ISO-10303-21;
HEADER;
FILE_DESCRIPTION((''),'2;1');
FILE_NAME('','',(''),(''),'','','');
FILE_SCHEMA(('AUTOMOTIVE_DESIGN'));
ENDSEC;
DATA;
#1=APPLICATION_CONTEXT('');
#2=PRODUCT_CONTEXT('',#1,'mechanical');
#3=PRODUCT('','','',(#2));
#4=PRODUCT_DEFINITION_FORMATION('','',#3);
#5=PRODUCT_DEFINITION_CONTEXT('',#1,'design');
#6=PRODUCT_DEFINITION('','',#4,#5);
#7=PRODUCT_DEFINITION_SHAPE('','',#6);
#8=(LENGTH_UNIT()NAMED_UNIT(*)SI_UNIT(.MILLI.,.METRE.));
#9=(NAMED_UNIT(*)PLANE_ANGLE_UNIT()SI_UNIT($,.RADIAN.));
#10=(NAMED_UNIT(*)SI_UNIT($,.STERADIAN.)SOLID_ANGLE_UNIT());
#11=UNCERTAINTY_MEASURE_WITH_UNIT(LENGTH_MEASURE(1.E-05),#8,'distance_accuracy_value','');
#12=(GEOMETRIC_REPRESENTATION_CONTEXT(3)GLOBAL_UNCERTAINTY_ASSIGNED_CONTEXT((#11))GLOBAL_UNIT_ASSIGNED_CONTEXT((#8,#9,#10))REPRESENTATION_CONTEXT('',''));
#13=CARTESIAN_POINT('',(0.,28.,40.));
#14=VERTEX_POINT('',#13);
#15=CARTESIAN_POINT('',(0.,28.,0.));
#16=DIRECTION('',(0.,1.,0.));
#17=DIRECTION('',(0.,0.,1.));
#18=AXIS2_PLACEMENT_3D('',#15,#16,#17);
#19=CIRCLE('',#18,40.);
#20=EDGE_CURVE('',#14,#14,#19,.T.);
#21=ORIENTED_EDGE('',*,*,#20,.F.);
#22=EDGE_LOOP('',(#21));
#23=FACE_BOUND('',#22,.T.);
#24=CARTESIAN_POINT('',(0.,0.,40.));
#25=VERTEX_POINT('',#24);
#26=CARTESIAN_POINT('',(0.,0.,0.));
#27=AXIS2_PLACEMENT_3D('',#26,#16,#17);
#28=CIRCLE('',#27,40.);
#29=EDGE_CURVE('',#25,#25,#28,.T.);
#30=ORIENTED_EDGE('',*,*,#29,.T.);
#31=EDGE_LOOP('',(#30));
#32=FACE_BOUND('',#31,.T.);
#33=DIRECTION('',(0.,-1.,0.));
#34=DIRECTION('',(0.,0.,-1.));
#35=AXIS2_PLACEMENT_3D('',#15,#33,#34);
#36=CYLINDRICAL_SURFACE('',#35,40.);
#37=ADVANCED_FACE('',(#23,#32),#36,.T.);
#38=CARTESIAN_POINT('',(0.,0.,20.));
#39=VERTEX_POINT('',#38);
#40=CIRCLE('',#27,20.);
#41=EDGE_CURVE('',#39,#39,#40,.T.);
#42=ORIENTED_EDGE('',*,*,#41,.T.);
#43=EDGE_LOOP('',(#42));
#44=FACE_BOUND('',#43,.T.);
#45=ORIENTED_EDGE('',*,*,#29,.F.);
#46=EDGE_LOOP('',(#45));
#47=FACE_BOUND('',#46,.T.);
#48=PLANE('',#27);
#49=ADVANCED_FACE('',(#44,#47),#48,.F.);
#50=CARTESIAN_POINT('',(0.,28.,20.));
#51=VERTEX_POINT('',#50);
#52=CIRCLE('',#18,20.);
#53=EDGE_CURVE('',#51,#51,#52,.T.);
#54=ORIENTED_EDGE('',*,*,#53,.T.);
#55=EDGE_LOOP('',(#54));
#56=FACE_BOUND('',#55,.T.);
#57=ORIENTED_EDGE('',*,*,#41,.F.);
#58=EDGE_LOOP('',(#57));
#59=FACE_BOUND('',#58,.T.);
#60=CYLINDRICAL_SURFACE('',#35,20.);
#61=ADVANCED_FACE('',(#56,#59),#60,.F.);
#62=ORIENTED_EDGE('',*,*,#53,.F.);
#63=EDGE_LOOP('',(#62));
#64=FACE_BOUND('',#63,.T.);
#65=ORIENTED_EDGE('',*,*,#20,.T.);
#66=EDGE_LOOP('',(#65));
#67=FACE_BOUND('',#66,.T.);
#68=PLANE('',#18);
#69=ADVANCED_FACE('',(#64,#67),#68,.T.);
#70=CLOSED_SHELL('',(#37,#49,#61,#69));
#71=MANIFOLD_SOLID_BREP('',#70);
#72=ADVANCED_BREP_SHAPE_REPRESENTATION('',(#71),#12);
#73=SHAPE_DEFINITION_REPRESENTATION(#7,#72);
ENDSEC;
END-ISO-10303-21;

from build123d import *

# Parameters (mm, degrees)
SKETCH1_R           = 40
SKETCH1_R_2         = 20
BOSS_EXTRUDE1_DEPTH = 28


with BuildPart() as part:
    # Sketch1 → Boss-Extrude1 (new body)
    with BuildSketch(Plane(origin=(0, 0, 0), x_dir=(1, 0, 0), z_dir=(0, 1, 0))):
        Circle(SKETCH1_R)
        Circle(SKETCH1_R_2, mode=Mode.SUBTRACT)
    extrude(amount=BOSS_EXTRUDE1_DEPTH)


solid = part.part
